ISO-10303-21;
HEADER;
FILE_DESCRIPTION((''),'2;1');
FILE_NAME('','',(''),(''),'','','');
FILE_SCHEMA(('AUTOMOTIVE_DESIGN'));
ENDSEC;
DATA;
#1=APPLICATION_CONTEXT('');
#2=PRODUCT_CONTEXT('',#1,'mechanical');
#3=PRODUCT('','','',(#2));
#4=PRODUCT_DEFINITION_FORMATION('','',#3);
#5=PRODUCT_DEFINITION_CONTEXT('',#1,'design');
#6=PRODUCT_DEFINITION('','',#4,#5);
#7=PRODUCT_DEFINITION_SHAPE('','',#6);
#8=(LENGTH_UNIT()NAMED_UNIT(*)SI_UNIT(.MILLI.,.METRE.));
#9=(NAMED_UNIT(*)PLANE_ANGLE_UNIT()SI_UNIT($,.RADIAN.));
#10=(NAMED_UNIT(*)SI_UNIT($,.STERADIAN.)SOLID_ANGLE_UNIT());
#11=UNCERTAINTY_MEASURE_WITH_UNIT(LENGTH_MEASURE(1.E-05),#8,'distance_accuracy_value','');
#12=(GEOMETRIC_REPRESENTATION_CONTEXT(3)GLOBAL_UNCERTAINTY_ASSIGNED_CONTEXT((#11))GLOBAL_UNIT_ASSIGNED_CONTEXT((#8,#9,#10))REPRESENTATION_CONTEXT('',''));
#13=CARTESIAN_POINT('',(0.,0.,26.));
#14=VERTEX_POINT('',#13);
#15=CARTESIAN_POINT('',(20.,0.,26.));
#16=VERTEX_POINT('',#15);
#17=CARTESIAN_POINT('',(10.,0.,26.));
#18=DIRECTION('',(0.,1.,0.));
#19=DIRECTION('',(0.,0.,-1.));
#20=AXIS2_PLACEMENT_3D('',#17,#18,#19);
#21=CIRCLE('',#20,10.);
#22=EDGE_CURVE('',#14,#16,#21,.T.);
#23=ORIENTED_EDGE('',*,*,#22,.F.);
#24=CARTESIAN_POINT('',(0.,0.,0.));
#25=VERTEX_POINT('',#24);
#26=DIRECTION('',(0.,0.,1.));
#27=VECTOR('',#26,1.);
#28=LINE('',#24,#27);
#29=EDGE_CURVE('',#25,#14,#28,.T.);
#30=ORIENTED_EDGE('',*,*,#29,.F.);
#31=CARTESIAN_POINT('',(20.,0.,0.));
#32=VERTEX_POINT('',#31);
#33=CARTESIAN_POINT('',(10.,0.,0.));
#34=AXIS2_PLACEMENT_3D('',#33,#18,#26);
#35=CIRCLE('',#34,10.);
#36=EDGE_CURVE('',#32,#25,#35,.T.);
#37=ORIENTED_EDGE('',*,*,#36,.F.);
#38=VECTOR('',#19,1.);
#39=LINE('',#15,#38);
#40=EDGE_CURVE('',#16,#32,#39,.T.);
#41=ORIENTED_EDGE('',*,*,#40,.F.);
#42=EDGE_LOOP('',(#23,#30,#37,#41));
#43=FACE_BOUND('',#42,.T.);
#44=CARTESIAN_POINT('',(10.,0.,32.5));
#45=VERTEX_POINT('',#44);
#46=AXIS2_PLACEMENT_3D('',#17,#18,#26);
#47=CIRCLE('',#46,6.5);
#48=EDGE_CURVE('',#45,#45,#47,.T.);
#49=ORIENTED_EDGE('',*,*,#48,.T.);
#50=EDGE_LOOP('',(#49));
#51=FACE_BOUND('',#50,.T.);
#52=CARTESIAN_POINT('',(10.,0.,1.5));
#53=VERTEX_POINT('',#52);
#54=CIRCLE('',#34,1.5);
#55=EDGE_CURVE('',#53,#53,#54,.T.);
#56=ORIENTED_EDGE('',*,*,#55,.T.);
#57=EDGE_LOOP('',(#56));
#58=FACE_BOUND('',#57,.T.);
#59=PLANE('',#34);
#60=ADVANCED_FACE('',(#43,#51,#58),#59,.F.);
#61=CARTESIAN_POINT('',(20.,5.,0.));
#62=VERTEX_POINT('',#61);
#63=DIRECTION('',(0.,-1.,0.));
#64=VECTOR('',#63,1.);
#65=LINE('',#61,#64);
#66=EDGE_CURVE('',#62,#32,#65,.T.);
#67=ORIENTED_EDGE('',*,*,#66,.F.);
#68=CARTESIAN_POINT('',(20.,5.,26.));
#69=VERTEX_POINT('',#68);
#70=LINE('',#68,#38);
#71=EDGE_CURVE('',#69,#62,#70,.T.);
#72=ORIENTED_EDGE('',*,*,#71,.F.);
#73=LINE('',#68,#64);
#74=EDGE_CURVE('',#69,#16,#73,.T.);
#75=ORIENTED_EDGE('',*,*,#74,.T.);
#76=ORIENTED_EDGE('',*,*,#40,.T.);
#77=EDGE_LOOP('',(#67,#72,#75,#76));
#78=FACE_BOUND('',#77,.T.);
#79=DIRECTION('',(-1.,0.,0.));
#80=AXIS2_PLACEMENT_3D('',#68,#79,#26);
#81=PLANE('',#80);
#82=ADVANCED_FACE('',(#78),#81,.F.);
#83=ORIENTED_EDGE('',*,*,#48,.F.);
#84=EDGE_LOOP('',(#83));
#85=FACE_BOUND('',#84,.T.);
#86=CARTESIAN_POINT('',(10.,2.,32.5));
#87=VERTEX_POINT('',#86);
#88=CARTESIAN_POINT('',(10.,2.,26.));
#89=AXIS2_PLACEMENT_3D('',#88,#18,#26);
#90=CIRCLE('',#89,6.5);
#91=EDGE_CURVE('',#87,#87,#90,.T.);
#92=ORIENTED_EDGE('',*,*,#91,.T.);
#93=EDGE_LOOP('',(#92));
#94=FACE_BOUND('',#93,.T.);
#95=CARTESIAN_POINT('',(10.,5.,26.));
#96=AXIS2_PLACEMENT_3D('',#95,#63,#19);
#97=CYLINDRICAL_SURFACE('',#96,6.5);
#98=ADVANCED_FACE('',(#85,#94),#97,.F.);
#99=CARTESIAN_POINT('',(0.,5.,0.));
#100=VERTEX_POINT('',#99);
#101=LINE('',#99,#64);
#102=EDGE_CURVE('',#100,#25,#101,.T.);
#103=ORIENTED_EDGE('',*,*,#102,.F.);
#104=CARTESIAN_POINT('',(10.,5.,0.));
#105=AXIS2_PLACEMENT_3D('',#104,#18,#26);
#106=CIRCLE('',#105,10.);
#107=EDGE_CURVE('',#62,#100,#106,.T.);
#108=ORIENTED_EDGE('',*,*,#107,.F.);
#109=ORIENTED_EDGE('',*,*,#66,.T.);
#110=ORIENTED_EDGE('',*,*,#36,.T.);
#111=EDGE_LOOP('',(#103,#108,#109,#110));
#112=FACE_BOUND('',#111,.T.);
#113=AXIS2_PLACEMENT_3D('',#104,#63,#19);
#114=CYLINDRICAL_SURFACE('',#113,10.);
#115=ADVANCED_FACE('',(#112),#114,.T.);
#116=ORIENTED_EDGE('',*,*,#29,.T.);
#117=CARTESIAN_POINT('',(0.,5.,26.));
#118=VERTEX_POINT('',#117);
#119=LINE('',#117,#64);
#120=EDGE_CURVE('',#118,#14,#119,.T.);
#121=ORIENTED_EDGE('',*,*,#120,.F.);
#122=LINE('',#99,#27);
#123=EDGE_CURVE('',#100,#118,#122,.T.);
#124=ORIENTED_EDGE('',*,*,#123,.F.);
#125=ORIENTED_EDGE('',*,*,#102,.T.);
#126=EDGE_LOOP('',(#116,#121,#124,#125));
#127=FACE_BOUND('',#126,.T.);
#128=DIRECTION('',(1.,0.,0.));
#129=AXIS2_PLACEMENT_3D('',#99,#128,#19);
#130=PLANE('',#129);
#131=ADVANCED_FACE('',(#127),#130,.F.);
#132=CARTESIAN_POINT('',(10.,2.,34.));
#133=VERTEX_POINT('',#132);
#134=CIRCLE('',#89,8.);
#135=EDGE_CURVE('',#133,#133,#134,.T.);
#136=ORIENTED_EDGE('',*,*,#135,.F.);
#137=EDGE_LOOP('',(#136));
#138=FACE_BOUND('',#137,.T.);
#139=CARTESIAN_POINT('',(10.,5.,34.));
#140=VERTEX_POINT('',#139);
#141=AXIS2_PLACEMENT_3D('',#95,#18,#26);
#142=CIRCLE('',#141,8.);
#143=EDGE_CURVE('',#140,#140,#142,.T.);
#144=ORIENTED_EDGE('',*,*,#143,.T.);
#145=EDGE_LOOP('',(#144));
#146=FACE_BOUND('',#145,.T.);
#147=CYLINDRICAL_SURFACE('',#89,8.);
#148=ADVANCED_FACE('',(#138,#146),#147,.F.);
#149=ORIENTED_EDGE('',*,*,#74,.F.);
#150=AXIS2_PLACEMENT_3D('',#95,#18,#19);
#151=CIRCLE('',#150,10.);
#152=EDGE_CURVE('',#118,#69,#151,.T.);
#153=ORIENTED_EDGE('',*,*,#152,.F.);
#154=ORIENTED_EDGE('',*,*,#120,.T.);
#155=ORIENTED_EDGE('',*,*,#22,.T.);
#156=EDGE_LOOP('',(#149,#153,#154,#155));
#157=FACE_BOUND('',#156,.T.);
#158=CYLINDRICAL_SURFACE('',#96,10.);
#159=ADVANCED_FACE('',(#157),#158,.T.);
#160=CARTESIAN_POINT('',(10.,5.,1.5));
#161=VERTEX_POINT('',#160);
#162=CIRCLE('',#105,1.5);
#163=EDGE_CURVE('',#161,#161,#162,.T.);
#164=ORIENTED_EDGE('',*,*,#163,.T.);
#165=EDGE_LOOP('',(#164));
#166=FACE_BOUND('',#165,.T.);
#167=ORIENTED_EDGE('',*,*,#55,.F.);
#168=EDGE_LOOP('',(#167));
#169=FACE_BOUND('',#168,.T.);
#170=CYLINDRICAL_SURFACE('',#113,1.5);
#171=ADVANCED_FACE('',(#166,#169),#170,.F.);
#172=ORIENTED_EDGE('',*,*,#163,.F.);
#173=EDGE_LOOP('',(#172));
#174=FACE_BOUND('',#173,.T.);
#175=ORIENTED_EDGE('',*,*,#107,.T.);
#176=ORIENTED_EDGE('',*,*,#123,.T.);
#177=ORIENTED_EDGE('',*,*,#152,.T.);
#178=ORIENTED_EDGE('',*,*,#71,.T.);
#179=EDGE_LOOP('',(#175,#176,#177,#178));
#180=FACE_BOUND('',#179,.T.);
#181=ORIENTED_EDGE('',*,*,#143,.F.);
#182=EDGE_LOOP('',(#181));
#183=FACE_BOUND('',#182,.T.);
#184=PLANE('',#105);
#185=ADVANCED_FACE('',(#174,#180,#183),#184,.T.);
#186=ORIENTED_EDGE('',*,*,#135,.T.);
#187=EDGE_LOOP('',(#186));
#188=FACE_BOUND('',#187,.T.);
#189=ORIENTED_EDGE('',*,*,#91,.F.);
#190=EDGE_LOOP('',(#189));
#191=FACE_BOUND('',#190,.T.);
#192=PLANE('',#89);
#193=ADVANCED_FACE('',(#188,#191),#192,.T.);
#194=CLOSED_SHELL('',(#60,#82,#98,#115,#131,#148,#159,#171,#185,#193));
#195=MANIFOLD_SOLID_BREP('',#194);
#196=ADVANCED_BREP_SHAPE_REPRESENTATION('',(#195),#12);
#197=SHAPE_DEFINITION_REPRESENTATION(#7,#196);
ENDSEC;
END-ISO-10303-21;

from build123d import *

# Parameters (mm, degrees)
SKETCH_2_R          = 1.5
SKETCH_2_R_2        = 6.5
EXTRUDE_1_DEPTH     = 5
SKETCH_3_R          = 8
CUT_EXTRUDE_1_DEPTH = 3


with BuildPart() as part:
    # Эскиз2 → Бобышка-Вытянуть1 (new body)
    with BuildSketch(Plane(origin=(0, 0, 0), x_dir=(1, 0, 0), z_dir=(0, 1, 0))):
        with BuildLine():
            Line((0, 0), (0, -26))
            ThreePointArc((0, -26), (10, -36), (20, -26))
            Line((20, -26), (20, 0))
            ThreePointArc((20, 0), (10, 10), (0, 0))
        make_face()
        with Locations(Location((10, 0, 0), (0, 0, 270))):
            Circle(SKETCH_2_R, mode=Mode.SUBTRACT)
        with Locations(Location((10, -26, 0), (0, 0, 270))):
            Circle(SKETCH_2_R_2, mode=Mode.SUBTRACT)
    extrude(amount=EXTRUDE_1_DEPTH)

    # Эскиз3 → Вырез-Вытянуть1 (cut)
    with BuildSketch(Plane(origin=(0, 5, 0), x_dir=(1, 0, 0), z_dir=(0, 1, 0))):
        with Locations(Location((10, -26, 0), (0, 0, 270))):
            Circle(SKETCH_3_R)
    extrude(amount=-CUT_EXTRUDE_1_DEPTH, mode=Mode.SUBTRACT)


solid = part.part
